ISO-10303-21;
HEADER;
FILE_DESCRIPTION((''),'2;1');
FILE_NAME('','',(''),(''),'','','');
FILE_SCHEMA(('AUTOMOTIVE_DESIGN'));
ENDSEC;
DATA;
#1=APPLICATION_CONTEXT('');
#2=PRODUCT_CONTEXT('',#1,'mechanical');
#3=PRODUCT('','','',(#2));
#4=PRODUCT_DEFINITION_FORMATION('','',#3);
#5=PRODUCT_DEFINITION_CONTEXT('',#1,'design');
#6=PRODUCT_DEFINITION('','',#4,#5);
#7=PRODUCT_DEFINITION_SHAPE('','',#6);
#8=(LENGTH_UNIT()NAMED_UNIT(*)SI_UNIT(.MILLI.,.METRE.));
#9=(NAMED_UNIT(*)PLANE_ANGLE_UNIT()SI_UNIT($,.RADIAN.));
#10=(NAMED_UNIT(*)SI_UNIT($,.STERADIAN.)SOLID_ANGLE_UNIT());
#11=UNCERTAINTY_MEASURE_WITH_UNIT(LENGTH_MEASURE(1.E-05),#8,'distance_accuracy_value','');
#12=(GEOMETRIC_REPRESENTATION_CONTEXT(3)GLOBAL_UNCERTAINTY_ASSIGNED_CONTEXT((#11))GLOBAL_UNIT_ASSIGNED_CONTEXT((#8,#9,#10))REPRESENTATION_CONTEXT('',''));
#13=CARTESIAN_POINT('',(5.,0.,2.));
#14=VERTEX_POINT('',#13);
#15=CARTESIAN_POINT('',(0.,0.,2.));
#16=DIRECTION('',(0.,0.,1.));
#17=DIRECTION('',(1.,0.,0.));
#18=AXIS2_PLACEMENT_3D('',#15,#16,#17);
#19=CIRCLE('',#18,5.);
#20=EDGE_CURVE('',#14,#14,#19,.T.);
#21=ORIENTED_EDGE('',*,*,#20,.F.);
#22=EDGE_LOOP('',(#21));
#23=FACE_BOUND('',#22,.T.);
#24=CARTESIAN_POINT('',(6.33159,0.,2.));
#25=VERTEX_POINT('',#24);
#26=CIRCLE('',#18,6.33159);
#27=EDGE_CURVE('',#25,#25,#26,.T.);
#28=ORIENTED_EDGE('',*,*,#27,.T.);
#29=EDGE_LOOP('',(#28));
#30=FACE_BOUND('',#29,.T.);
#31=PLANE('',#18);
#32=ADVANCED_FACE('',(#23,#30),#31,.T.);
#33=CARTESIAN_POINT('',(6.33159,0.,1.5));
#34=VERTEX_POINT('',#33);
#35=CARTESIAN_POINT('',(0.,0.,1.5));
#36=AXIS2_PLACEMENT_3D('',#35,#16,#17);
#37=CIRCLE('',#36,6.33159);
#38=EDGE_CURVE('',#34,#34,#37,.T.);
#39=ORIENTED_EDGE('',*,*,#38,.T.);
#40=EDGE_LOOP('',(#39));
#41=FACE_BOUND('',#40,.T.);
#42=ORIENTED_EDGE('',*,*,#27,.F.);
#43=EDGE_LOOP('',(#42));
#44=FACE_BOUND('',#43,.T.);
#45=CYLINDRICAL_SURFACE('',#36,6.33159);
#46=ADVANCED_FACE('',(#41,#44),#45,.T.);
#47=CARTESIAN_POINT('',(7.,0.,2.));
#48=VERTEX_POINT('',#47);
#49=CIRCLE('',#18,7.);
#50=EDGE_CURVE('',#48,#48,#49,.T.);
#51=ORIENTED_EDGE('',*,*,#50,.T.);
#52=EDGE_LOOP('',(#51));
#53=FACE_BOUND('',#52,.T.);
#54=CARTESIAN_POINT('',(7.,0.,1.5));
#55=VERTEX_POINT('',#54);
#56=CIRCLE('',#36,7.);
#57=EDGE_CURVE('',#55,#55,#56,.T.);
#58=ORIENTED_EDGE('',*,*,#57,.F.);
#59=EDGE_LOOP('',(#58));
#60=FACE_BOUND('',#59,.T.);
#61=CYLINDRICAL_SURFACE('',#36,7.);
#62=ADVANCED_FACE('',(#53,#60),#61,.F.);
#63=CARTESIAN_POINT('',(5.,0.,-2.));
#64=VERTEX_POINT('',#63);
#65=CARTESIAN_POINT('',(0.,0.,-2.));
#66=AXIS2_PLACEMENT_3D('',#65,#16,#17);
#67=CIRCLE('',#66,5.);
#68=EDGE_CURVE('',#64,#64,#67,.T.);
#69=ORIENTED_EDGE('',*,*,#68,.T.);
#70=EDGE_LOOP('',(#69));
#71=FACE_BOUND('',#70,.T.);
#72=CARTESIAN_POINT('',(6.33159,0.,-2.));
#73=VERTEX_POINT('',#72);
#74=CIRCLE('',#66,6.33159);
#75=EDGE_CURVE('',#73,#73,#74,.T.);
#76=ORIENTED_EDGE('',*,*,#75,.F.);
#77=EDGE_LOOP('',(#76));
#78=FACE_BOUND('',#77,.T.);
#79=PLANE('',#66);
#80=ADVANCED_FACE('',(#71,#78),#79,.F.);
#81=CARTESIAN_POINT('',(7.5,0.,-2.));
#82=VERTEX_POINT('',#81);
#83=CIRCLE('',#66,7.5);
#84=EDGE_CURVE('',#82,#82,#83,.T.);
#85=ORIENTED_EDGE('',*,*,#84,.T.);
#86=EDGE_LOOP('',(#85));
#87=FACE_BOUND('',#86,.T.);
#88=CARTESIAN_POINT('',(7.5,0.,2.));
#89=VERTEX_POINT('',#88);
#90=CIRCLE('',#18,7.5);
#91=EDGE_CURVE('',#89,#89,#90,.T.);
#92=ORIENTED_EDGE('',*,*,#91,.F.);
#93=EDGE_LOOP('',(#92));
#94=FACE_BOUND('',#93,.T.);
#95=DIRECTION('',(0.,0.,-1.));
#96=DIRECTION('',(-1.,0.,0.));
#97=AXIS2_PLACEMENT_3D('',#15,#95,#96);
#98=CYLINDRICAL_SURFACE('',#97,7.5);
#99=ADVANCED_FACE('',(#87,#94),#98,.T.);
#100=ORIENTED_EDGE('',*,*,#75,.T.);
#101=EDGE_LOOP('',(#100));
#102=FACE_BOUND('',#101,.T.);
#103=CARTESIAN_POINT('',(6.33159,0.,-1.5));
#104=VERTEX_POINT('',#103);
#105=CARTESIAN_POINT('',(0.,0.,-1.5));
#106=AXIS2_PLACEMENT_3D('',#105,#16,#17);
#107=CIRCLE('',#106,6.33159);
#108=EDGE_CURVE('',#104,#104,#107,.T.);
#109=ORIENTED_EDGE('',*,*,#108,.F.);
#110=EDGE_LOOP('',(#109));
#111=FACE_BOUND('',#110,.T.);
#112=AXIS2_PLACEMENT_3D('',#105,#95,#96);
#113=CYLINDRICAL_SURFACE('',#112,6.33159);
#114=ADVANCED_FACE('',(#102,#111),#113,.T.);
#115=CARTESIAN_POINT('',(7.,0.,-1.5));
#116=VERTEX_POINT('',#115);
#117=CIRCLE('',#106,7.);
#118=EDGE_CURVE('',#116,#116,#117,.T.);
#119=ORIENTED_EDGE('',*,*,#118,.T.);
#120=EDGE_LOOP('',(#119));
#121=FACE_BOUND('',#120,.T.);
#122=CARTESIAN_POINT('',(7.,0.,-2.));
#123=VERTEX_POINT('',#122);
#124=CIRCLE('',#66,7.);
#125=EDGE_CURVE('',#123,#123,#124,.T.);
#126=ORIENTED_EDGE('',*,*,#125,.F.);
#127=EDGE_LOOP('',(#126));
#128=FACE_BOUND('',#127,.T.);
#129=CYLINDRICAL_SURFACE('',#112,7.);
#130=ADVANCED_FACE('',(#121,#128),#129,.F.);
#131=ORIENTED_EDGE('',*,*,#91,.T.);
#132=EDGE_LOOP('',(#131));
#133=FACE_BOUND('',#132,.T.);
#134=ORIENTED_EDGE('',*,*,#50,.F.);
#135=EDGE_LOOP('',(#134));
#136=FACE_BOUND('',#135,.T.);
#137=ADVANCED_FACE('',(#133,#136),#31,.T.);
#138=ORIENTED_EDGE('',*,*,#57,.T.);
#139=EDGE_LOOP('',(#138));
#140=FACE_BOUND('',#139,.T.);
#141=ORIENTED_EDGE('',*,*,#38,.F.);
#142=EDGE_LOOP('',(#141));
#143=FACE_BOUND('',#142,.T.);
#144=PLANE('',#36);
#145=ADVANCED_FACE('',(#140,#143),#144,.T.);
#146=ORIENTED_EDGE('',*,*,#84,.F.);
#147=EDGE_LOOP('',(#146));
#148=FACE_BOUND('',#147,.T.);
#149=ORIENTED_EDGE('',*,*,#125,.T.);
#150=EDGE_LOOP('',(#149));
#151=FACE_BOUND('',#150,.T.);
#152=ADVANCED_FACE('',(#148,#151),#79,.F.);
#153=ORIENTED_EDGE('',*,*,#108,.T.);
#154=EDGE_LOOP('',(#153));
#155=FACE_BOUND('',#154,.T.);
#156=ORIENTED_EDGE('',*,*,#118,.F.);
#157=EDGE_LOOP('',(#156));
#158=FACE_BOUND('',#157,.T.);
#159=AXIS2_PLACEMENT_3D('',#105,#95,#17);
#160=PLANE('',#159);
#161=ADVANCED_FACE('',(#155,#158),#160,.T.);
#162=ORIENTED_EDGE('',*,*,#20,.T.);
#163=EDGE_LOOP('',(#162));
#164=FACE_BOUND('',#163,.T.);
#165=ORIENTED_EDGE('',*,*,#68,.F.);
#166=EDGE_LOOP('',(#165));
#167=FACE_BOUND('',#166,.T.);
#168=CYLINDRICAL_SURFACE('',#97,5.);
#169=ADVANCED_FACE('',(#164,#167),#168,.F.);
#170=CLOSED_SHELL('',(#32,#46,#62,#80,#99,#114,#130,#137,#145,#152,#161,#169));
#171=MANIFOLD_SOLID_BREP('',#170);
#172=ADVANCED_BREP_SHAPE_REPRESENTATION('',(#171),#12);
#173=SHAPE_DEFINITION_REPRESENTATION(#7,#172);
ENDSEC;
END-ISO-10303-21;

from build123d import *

# Parameters (mm, degrees)
SKETCH1_R           = 7.5
SKETCH1_R_2         = 5
BOSS_EXTRUDE1_DEPTH = 2
SKETCH2_R           = 7
SKETCH2_R_2         = 6.331589602
CUT_EXTRUDE1_DEPTH  = 0.5


with BuildPart() as part:
    # Sketch1 → Boss-Extrude1 (new, symmetric)
    with BuildSketch(Plane.XY):
        Circle(SKETCH1_R)
        Circle(SKETCH1_R_2, mode=Mode.SUBTRACT)
    extrude(amount=BOSS_EXTRUDE1_DEPTH, both=True)

    # Sketch2 → Cut-Extrude1 (cut)
    with BuildSketch(Plane.XY.offset(2)):
        Circle(SKETCH2_R)
        Circle(SKETCH2_R_2, mode=Mode.SUBTRACT)
    cut_extrude1 = extrude(amount=-CUT_EXTRUDE1_DEPTH, mode=Mode.SUBTRACT)

    # Mirror1: Cut-Extrude1 across plane
    add(cut_extrude1.mirror(Plane.XY), mode=Mode.SUBTRACT)


solid = part.part
